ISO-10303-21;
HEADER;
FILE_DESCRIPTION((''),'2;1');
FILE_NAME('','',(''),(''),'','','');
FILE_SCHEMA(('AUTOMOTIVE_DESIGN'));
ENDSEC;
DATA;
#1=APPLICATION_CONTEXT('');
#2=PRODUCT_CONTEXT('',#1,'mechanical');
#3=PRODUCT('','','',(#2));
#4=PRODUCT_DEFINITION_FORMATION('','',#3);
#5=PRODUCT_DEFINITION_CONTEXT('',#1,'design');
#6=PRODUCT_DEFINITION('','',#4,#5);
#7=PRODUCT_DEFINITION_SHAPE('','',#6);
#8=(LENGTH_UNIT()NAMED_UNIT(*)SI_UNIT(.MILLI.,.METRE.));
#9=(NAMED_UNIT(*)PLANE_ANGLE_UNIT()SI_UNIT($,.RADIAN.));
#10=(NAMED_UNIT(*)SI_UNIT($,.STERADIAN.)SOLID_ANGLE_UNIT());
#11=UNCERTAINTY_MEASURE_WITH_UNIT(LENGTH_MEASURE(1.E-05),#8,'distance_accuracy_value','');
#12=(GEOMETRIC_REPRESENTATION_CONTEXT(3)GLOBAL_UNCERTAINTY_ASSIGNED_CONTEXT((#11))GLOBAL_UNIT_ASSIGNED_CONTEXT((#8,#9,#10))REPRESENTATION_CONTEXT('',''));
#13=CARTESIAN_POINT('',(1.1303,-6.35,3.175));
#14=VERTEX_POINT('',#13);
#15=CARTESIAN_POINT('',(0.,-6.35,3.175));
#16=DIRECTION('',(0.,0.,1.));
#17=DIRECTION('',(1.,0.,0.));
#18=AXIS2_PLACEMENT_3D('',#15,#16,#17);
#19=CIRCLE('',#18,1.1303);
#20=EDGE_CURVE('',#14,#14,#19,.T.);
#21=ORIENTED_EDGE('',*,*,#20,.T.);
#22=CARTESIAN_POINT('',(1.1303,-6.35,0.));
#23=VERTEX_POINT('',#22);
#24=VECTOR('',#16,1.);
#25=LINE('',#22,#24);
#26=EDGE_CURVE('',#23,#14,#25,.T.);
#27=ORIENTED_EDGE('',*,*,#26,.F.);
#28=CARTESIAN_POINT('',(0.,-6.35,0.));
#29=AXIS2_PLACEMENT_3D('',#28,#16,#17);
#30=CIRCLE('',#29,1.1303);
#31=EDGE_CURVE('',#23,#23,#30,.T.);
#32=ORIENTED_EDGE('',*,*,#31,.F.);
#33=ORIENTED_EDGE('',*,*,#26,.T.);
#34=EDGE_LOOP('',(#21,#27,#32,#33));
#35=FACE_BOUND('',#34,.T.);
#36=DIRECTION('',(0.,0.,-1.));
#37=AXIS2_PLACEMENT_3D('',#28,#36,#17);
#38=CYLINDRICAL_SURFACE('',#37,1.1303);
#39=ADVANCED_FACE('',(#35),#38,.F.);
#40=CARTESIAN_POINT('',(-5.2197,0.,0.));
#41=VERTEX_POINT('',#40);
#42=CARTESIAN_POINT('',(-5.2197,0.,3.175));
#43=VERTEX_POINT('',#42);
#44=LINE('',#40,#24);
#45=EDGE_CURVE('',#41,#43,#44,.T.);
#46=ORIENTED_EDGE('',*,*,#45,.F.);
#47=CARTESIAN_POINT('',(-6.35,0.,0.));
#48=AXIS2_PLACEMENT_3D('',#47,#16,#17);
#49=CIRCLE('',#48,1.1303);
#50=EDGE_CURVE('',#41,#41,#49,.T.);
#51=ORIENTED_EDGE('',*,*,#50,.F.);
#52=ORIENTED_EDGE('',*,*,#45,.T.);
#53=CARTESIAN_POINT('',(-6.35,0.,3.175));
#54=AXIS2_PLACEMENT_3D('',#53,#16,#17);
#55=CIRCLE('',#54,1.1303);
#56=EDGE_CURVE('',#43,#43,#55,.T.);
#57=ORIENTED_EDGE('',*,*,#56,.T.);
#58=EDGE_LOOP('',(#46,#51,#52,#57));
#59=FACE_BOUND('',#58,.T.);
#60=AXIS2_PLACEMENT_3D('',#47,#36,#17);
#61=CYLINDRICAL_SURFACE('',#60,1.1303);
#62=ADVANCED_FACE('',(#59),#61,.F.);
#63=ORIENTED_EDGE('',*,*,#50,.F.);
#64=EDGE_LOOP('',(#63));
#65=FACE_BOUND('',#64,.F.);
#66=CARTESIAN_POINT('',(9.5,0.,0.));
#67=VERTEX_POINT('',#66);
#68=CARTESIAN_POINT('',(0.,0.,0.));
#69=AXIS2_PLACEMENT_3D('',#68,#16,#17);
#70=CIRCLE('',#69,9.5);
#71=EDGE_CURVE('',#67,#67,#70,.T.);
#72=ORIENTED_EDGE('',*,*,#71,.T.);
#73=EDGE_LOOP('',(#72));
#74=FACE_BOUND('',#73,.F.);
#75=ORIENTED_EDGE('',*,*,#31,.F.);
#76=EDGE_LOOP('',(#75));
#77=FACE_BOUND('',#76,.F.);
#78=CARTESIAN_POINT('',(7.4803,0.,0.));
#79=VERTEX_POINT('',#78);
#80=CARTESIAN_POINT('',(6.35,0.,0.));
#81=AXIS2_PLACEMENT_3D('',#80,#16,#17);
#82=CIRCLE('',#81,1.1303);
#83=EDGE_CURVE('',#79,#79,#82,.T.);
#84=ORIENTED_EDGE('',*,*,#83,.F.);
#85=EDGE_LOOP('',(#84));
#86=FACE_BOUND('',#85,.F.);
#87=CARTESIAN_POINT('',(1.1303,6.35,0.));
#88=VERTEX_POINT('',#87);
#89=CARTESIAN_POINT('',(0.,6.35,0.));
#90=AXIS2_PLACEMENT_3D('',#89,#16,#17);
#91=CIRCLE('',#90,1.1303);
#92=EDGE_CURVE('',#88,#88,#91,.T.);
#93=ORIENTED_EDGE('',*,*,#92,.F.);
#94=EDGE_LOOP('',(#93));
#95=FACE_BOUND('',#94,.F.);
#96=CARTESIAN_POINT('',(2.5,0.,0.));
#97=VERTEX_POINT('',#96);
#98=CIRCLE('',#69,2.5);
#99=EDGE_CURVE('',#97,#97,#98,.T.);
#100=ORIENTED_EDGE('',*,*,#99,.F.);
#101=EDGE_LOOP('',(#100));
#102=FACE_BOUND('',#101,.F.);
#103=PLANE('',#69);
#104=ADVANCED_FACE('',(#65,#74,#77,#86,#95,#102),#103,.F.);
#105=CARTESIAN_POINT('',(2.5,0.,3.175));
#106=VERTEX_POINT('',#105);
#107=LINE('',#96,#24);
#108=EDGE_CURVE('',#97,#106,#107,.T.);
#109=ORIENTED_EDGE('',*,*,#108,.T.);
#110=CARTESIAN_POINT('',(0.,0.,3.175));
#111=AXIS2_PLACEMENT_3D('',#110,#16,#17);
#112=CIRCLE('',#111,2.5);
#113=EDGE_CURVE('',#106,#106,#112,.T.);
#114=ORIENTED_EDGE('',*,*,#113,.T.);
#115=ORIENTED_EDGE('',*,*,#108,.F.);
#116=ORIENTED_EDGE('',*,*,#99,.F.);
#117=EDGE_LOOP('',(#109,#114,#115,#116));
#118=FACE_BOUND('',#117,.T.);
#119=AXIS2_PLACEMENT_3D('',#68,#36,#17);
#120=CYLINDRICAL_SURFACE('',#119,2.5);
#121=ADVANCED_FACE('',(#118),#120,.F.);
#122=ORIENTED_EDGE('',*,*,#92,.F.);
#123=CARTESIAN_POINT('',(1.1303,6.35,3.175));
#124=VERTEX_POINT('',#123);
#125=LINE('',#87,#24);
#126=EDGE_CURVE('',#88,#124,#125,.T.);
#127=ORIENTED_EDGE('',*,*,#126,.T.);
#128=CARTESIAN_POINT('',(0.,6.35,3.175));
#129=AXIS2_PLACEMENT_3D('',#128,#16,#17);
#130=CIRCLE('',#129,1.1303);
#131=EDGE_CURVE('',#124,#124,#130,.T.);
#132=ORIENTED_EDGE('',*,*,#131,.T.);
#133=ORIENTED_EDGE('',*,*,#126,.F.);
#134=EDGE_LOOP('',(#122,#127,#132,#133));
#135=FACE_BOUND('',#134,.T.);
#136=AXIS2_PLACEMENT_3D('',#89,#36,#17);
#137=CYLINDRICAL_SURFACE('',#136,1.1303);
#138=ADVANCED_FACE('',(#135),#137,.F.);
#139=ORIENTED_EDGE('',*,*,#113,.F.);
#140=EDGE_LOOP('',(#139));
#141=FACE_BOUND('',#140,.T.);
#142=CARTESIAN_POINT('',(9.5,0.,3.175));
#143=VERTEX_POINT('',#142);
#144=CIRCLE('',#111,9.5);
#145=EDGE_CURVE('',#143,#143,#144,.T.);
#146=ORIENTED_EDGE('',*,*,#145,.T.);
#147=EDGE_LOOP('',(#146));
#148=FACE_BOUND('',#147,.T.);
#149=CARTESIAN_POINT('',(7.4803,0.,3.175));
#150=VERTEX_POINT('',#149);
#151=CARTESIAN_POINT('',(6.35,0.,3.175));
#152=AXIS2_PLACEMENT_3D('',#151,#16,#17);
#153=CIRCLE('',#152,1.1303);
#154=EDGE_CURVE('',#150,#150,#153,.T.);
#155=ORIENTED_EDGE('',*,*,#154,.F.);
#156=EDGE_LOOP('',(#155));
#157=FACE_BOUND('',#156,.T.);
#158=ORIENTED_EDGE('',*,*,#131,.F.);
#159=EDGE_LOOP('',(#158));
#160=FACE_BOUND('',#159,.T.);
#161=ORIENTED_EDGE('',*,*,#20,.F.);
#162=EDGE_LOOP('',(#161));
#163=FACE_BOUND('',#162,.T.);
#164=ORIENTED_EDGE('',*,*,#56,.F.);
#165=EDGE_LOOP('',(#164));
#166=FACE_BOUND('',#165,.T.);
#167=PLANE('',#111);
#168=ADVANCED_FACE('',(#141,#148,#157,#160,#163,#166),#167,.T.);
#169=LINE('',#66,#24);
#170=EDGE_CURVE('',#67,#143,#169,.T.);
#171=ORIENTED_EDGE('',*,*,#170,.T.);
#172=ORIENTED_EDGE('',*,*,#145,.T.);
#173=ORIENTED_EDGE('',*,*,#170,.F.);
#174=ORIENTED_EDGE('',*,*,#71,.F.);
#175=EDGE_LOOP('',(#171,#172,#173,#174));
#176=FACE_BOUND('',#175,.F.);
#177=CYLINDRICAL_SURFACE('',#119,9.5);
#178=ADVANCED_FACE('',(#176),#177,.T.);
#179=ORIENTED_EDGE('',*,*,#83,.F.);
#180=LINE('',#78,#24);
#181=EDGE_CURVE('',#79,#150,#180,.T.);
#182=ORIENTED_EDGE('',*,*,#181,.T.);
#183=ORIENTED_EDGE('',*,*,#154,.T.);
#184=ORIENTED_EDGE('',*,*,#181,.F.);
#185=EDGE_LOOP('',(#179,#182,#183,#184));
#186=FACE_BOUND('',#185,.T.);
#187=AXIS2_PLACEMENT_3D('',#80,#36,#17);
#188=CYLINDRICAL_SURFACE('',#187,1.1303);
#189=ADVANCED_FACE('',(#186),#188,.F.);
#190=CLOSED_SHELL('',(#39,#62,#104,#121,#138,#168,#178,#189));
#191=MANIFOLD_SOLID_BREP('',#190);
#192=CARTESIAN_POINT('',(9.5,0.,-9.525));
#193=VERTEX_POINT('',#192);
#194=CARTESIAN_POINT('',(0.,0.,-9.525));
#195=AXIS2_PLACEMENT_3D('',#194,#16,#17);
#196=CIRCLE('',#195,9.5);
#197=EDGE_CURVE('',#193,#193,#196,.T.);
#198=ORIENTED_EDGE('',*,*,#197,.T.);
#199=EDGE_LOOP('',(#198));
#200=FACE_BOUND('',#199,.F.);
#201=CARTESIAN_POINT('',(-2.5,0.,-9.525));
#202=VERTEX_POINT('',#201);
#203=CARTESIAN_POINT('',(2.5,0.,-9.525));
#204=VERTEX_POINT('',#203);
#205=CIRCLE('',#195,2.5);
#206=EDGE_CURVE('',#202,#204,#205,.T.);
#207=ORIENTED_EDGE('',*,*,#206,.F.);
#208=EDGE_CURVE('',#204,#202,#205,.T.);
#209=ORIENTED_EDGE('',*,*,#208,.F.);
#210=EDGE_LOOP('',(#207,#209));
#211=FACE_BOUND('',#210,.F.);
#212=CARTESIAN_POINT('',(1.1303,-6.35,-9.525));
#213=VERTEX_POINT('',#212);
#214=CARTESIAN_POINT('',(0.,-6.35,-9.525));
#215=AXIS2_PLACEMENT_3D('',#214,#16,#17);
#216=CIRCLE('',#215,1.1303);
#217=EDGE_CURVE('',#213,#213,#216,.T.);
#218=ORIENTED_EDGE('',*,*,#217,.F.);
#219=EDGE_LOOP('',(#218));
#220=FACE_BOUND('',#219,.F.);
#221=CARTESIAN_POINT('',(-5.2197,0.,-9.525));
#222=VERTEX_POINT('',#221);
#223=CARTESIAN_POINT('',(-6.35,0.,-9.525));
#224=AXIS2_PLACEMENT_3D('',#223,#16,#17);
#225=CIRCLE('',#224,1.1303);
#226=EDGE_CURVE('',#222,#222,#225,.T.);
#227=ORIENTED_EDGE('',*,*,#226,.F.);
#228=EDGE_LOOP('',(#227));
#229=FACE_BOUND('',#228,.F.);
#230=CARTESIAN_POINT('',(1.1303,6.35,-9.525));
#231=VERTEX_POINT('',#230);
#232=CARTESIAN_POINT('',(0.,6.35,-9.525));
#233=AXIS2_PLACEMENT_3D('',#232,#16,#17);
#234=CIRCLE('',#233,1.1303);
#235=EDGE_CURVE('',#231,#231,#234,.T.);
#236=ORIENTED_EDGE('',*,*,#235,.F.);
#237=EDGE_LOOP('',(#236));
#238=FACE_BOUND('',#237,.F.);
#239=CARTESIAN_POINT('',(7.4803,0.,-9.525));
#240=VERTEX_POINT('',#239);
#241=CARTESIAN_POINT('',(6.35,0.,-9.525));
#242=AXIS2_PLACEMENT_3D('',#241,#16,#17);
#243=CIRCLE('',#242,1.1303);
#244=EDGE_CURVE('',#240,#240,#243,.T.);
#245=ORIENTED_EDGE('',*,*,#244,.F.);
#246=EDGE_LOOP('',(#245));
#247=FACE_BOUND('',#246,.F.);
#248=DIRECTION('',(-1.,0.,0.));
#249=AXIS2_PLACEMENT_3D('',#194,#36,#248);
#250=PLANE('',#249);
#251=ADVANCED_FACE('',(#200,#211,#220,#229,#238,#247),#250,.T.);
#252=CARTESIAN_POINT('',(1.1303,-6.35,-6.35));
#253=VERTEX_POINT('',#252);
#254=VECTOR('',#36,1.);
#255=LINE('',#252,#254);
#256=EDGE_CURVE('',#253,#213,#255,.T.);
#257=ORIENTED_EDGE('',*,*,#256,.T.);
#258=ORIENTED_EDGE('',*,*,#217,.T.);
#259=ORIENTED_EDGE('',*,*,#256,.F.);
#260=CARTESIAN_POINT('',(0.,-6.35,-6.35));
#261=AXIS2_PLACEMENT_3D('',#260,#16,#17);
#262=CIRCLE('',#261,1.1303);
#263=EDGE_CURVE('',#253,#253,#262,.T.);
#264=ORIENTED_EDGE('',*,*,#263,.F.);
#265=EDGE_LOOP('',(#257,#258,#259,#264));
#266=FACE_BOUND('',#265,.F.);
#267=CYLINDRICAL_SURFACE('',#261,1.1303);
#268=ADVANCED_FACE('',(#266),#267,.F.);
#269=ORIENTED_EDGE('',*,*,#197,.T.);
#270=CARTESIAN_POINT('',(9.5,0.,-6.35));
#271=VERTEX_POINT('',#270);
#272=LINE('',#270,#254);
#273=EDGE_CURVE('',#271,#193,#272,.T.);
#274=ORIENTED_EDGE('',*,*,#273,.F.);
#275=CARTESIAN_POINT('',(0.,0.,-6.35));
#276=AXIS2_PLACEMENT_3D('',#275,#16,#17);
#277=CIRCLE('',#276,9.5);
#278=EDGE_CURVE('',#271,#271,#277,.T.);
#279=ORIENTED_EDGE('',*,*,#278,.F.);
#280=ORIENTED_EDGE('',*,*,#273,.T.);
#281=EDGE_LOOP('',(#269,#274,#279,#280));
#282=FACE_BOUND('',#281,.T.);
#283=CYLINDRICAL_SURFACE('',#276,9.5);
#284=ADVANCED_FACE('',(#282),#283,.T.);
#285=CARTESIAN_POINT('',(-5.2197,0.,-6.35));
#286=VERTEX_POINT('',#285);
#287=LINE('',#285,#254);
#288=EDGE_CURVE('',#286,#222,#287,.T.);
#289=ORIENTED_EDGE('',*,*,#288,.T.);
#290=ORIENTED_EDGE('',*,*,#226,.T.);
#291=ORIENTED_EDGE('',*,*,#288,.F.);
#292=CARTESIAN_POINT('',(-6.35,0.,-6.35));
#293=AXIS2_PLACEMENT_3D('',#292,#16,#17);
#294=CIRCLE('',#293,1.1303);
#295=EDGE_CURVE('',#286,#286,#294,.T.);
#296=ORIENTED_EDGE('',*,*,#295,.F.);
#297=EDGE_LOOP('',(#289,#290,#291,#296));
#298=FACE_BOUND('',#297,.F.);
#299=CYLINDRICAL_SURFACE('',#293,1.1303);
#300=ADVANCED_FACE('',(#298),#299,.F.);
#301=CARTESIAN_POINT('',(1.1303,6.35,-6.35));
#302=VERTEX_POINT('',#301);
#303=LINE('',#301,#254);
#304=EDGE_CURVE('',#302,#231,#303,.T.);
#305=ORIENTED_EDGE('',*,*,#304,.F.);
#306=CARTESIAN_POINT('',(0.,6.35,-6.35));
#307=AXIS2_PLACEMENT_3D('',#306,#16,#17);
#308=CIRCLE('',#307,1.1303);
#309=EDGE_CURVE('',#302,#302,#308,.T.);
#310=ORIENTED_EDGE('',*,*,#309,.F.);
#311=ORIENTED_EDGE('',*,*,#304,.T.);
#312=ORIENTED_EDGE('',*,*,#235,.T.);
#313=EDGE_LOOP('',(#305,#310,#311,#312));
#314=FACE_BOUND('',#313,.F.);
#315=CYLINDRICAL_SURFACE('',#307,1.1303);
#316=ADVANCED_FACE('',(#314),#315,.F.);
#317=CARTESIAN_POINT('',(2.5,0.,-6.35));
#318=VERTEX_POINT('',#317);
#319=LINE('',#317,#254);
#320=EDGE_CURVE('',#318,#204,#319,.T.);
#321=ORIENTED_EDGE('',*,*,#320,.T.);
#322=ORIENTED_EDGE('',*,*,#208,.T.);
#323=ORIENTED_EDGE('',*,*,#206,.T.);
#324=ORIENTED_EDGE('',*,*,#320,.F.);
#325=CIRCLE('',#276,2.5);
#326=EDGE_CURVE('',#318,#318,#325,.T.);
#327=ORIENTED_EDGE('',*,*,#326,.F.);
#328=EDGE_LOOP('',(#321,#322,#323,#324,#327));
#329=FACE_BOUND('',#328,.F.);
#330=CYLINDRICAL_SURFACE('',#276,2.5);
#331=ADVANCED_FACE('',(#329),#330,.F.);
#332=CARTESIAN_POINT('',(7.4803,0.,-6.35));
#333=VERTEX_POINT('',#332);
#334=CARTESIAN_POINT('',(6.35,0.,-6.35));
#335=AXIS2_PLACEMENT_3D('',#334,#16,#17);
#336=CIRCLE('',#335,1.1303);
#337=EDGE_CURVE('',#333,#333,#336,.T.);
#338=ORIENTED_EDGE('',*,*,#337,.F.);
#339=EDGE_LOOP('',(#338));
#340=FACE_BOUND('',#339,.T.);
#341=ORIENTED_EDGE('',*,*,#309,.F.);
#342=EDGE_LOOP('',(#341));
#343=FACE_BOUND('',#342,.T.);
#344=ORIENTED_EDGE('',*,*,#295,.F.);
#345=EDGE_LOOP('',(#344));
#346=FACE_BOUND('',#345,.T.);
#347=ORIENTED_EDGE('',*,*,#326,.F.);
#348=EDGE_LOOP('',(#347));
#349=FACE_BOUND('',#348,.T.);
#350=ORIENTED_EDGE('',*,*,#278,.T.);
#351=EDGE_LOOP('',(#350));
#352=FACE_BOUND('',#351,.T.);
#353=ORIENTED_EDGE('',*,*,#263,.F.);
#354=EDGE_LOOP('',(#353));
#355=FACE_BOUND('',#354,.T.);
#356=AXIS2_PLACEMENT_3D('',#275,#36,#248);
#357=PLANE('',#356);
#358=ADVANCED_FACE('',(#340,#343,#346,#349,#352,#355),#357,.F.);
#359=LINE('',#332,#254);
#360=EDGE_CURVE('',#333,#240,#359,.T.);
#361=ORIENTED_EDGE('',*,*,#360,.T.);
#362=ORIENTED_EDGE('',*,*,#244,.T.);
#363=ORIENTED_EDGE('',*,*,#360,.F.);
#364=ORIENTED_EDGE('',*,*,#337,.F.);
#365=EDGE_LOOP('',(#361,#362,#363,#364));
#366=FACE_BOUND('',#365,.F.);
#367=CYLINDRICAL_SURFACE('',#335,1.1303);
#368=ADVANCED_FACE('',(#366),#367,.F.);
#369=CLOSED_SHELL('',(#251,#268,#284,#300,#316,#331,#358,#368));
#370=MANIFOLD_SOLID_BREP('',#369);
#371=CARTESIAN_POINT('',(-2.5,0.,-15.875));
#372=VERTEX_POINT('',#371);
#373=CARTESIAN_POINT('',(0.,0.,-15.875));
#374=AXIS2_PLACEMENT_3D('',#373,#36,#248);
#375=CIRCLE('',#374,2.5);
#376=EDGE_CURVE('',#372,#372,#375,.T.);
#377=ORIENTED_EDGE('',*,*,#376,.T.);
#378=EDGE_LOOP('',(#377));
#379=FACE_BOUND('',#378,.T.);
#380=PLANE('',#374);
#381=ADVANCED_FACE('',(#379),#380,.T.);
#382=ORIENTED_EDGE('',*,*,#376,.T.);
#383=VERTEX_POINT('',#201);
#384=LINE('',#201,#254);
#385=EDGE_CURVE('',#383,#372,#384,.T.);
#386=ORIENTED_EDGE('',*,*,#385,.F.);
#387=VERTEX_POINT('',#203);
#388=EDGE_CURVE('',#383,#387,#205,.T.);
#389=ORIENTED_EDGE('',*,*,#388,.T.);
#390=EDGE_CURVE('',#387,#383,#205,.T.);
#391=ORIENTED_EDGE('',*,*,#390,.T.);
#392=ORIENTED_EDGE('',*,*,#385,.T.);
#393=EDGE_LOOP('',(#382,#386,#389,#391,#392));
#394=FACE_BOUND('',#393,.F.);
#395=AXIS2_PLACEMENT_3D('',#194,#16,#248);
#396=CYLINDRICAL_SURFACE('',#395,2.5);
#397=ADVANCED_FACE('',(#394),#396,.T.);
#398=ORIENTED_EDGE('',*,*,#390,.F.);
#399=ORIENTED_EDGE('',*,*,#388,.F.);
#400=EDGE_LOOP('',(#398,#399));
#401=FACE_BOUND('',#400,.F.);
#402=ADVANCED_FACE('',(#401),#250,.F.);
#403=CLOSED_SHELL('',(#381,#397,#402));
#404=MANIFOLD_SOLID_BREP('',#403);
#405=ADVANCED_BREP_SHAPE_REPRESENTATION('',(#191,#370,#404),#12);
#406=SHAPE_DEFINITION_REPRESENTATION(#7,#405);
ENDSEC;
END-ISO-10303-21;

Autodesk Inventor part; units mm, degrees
ref_plane "YZ Plane" through (0, 0, 0) normal (1, 0, 0) x (0, 1, 0)
ref_plane "XZ Plane" through (0, 0, 0) normal (0, 1, 0) x (-1, 0, 0)
ref_plane "XY Plane" through (0, 0, 0) normal (0, 0, 1) x (1, 0, 0)
sketch "Sketch1" plane through (0, 0, 0) normal (0, 0, 1) x (1, 0, 0)
  circle A0 centre (0, 0) radius 9.5
  circle A1 centre (0, 0) radius 2.5
  circle A2 centre (-6.35, 0) radius 1.1303
  circle A3 centre (0, 6.35) radius 1.1303
  circle A4 centre (6.35, 0) radius 1.1303
  circle A5 centre (0, -6.35) radius 1.1303
  dimension "d0" = 19
  dimension "d1" = 5
  dimension "d2" = 6.35
  dimension "d3" = 2.2606
  dimension "d4" = 6.35
  dimension "d5" = 6.35
  dimension "d6" = 6.35
  dimension "d7" = 2.2606
  dimension "d8" = 2.2606
  dimension "d9" = 2.2606
extrude "Extrusion1" add sketch "Sketch1" along normal blind 3.175
ref_plane "Work Plane1" through (0, 0, -3.175) normal (0, 0, -1) x (-1, 0, 0)
mirror "Mirror1" about plane through (0, 0, -3.175) normal (0, 0, -1) of "Extrusion1"
sketch "Sketch2" plane through (0, 0, -9.525) normal (0, 0, -1) x (-1, 0, 0)
  circle A0 centre (0, 0) radius 2.5
extrude "Extrusion2" add sketch "Sketch2" along normal blind 6.35
